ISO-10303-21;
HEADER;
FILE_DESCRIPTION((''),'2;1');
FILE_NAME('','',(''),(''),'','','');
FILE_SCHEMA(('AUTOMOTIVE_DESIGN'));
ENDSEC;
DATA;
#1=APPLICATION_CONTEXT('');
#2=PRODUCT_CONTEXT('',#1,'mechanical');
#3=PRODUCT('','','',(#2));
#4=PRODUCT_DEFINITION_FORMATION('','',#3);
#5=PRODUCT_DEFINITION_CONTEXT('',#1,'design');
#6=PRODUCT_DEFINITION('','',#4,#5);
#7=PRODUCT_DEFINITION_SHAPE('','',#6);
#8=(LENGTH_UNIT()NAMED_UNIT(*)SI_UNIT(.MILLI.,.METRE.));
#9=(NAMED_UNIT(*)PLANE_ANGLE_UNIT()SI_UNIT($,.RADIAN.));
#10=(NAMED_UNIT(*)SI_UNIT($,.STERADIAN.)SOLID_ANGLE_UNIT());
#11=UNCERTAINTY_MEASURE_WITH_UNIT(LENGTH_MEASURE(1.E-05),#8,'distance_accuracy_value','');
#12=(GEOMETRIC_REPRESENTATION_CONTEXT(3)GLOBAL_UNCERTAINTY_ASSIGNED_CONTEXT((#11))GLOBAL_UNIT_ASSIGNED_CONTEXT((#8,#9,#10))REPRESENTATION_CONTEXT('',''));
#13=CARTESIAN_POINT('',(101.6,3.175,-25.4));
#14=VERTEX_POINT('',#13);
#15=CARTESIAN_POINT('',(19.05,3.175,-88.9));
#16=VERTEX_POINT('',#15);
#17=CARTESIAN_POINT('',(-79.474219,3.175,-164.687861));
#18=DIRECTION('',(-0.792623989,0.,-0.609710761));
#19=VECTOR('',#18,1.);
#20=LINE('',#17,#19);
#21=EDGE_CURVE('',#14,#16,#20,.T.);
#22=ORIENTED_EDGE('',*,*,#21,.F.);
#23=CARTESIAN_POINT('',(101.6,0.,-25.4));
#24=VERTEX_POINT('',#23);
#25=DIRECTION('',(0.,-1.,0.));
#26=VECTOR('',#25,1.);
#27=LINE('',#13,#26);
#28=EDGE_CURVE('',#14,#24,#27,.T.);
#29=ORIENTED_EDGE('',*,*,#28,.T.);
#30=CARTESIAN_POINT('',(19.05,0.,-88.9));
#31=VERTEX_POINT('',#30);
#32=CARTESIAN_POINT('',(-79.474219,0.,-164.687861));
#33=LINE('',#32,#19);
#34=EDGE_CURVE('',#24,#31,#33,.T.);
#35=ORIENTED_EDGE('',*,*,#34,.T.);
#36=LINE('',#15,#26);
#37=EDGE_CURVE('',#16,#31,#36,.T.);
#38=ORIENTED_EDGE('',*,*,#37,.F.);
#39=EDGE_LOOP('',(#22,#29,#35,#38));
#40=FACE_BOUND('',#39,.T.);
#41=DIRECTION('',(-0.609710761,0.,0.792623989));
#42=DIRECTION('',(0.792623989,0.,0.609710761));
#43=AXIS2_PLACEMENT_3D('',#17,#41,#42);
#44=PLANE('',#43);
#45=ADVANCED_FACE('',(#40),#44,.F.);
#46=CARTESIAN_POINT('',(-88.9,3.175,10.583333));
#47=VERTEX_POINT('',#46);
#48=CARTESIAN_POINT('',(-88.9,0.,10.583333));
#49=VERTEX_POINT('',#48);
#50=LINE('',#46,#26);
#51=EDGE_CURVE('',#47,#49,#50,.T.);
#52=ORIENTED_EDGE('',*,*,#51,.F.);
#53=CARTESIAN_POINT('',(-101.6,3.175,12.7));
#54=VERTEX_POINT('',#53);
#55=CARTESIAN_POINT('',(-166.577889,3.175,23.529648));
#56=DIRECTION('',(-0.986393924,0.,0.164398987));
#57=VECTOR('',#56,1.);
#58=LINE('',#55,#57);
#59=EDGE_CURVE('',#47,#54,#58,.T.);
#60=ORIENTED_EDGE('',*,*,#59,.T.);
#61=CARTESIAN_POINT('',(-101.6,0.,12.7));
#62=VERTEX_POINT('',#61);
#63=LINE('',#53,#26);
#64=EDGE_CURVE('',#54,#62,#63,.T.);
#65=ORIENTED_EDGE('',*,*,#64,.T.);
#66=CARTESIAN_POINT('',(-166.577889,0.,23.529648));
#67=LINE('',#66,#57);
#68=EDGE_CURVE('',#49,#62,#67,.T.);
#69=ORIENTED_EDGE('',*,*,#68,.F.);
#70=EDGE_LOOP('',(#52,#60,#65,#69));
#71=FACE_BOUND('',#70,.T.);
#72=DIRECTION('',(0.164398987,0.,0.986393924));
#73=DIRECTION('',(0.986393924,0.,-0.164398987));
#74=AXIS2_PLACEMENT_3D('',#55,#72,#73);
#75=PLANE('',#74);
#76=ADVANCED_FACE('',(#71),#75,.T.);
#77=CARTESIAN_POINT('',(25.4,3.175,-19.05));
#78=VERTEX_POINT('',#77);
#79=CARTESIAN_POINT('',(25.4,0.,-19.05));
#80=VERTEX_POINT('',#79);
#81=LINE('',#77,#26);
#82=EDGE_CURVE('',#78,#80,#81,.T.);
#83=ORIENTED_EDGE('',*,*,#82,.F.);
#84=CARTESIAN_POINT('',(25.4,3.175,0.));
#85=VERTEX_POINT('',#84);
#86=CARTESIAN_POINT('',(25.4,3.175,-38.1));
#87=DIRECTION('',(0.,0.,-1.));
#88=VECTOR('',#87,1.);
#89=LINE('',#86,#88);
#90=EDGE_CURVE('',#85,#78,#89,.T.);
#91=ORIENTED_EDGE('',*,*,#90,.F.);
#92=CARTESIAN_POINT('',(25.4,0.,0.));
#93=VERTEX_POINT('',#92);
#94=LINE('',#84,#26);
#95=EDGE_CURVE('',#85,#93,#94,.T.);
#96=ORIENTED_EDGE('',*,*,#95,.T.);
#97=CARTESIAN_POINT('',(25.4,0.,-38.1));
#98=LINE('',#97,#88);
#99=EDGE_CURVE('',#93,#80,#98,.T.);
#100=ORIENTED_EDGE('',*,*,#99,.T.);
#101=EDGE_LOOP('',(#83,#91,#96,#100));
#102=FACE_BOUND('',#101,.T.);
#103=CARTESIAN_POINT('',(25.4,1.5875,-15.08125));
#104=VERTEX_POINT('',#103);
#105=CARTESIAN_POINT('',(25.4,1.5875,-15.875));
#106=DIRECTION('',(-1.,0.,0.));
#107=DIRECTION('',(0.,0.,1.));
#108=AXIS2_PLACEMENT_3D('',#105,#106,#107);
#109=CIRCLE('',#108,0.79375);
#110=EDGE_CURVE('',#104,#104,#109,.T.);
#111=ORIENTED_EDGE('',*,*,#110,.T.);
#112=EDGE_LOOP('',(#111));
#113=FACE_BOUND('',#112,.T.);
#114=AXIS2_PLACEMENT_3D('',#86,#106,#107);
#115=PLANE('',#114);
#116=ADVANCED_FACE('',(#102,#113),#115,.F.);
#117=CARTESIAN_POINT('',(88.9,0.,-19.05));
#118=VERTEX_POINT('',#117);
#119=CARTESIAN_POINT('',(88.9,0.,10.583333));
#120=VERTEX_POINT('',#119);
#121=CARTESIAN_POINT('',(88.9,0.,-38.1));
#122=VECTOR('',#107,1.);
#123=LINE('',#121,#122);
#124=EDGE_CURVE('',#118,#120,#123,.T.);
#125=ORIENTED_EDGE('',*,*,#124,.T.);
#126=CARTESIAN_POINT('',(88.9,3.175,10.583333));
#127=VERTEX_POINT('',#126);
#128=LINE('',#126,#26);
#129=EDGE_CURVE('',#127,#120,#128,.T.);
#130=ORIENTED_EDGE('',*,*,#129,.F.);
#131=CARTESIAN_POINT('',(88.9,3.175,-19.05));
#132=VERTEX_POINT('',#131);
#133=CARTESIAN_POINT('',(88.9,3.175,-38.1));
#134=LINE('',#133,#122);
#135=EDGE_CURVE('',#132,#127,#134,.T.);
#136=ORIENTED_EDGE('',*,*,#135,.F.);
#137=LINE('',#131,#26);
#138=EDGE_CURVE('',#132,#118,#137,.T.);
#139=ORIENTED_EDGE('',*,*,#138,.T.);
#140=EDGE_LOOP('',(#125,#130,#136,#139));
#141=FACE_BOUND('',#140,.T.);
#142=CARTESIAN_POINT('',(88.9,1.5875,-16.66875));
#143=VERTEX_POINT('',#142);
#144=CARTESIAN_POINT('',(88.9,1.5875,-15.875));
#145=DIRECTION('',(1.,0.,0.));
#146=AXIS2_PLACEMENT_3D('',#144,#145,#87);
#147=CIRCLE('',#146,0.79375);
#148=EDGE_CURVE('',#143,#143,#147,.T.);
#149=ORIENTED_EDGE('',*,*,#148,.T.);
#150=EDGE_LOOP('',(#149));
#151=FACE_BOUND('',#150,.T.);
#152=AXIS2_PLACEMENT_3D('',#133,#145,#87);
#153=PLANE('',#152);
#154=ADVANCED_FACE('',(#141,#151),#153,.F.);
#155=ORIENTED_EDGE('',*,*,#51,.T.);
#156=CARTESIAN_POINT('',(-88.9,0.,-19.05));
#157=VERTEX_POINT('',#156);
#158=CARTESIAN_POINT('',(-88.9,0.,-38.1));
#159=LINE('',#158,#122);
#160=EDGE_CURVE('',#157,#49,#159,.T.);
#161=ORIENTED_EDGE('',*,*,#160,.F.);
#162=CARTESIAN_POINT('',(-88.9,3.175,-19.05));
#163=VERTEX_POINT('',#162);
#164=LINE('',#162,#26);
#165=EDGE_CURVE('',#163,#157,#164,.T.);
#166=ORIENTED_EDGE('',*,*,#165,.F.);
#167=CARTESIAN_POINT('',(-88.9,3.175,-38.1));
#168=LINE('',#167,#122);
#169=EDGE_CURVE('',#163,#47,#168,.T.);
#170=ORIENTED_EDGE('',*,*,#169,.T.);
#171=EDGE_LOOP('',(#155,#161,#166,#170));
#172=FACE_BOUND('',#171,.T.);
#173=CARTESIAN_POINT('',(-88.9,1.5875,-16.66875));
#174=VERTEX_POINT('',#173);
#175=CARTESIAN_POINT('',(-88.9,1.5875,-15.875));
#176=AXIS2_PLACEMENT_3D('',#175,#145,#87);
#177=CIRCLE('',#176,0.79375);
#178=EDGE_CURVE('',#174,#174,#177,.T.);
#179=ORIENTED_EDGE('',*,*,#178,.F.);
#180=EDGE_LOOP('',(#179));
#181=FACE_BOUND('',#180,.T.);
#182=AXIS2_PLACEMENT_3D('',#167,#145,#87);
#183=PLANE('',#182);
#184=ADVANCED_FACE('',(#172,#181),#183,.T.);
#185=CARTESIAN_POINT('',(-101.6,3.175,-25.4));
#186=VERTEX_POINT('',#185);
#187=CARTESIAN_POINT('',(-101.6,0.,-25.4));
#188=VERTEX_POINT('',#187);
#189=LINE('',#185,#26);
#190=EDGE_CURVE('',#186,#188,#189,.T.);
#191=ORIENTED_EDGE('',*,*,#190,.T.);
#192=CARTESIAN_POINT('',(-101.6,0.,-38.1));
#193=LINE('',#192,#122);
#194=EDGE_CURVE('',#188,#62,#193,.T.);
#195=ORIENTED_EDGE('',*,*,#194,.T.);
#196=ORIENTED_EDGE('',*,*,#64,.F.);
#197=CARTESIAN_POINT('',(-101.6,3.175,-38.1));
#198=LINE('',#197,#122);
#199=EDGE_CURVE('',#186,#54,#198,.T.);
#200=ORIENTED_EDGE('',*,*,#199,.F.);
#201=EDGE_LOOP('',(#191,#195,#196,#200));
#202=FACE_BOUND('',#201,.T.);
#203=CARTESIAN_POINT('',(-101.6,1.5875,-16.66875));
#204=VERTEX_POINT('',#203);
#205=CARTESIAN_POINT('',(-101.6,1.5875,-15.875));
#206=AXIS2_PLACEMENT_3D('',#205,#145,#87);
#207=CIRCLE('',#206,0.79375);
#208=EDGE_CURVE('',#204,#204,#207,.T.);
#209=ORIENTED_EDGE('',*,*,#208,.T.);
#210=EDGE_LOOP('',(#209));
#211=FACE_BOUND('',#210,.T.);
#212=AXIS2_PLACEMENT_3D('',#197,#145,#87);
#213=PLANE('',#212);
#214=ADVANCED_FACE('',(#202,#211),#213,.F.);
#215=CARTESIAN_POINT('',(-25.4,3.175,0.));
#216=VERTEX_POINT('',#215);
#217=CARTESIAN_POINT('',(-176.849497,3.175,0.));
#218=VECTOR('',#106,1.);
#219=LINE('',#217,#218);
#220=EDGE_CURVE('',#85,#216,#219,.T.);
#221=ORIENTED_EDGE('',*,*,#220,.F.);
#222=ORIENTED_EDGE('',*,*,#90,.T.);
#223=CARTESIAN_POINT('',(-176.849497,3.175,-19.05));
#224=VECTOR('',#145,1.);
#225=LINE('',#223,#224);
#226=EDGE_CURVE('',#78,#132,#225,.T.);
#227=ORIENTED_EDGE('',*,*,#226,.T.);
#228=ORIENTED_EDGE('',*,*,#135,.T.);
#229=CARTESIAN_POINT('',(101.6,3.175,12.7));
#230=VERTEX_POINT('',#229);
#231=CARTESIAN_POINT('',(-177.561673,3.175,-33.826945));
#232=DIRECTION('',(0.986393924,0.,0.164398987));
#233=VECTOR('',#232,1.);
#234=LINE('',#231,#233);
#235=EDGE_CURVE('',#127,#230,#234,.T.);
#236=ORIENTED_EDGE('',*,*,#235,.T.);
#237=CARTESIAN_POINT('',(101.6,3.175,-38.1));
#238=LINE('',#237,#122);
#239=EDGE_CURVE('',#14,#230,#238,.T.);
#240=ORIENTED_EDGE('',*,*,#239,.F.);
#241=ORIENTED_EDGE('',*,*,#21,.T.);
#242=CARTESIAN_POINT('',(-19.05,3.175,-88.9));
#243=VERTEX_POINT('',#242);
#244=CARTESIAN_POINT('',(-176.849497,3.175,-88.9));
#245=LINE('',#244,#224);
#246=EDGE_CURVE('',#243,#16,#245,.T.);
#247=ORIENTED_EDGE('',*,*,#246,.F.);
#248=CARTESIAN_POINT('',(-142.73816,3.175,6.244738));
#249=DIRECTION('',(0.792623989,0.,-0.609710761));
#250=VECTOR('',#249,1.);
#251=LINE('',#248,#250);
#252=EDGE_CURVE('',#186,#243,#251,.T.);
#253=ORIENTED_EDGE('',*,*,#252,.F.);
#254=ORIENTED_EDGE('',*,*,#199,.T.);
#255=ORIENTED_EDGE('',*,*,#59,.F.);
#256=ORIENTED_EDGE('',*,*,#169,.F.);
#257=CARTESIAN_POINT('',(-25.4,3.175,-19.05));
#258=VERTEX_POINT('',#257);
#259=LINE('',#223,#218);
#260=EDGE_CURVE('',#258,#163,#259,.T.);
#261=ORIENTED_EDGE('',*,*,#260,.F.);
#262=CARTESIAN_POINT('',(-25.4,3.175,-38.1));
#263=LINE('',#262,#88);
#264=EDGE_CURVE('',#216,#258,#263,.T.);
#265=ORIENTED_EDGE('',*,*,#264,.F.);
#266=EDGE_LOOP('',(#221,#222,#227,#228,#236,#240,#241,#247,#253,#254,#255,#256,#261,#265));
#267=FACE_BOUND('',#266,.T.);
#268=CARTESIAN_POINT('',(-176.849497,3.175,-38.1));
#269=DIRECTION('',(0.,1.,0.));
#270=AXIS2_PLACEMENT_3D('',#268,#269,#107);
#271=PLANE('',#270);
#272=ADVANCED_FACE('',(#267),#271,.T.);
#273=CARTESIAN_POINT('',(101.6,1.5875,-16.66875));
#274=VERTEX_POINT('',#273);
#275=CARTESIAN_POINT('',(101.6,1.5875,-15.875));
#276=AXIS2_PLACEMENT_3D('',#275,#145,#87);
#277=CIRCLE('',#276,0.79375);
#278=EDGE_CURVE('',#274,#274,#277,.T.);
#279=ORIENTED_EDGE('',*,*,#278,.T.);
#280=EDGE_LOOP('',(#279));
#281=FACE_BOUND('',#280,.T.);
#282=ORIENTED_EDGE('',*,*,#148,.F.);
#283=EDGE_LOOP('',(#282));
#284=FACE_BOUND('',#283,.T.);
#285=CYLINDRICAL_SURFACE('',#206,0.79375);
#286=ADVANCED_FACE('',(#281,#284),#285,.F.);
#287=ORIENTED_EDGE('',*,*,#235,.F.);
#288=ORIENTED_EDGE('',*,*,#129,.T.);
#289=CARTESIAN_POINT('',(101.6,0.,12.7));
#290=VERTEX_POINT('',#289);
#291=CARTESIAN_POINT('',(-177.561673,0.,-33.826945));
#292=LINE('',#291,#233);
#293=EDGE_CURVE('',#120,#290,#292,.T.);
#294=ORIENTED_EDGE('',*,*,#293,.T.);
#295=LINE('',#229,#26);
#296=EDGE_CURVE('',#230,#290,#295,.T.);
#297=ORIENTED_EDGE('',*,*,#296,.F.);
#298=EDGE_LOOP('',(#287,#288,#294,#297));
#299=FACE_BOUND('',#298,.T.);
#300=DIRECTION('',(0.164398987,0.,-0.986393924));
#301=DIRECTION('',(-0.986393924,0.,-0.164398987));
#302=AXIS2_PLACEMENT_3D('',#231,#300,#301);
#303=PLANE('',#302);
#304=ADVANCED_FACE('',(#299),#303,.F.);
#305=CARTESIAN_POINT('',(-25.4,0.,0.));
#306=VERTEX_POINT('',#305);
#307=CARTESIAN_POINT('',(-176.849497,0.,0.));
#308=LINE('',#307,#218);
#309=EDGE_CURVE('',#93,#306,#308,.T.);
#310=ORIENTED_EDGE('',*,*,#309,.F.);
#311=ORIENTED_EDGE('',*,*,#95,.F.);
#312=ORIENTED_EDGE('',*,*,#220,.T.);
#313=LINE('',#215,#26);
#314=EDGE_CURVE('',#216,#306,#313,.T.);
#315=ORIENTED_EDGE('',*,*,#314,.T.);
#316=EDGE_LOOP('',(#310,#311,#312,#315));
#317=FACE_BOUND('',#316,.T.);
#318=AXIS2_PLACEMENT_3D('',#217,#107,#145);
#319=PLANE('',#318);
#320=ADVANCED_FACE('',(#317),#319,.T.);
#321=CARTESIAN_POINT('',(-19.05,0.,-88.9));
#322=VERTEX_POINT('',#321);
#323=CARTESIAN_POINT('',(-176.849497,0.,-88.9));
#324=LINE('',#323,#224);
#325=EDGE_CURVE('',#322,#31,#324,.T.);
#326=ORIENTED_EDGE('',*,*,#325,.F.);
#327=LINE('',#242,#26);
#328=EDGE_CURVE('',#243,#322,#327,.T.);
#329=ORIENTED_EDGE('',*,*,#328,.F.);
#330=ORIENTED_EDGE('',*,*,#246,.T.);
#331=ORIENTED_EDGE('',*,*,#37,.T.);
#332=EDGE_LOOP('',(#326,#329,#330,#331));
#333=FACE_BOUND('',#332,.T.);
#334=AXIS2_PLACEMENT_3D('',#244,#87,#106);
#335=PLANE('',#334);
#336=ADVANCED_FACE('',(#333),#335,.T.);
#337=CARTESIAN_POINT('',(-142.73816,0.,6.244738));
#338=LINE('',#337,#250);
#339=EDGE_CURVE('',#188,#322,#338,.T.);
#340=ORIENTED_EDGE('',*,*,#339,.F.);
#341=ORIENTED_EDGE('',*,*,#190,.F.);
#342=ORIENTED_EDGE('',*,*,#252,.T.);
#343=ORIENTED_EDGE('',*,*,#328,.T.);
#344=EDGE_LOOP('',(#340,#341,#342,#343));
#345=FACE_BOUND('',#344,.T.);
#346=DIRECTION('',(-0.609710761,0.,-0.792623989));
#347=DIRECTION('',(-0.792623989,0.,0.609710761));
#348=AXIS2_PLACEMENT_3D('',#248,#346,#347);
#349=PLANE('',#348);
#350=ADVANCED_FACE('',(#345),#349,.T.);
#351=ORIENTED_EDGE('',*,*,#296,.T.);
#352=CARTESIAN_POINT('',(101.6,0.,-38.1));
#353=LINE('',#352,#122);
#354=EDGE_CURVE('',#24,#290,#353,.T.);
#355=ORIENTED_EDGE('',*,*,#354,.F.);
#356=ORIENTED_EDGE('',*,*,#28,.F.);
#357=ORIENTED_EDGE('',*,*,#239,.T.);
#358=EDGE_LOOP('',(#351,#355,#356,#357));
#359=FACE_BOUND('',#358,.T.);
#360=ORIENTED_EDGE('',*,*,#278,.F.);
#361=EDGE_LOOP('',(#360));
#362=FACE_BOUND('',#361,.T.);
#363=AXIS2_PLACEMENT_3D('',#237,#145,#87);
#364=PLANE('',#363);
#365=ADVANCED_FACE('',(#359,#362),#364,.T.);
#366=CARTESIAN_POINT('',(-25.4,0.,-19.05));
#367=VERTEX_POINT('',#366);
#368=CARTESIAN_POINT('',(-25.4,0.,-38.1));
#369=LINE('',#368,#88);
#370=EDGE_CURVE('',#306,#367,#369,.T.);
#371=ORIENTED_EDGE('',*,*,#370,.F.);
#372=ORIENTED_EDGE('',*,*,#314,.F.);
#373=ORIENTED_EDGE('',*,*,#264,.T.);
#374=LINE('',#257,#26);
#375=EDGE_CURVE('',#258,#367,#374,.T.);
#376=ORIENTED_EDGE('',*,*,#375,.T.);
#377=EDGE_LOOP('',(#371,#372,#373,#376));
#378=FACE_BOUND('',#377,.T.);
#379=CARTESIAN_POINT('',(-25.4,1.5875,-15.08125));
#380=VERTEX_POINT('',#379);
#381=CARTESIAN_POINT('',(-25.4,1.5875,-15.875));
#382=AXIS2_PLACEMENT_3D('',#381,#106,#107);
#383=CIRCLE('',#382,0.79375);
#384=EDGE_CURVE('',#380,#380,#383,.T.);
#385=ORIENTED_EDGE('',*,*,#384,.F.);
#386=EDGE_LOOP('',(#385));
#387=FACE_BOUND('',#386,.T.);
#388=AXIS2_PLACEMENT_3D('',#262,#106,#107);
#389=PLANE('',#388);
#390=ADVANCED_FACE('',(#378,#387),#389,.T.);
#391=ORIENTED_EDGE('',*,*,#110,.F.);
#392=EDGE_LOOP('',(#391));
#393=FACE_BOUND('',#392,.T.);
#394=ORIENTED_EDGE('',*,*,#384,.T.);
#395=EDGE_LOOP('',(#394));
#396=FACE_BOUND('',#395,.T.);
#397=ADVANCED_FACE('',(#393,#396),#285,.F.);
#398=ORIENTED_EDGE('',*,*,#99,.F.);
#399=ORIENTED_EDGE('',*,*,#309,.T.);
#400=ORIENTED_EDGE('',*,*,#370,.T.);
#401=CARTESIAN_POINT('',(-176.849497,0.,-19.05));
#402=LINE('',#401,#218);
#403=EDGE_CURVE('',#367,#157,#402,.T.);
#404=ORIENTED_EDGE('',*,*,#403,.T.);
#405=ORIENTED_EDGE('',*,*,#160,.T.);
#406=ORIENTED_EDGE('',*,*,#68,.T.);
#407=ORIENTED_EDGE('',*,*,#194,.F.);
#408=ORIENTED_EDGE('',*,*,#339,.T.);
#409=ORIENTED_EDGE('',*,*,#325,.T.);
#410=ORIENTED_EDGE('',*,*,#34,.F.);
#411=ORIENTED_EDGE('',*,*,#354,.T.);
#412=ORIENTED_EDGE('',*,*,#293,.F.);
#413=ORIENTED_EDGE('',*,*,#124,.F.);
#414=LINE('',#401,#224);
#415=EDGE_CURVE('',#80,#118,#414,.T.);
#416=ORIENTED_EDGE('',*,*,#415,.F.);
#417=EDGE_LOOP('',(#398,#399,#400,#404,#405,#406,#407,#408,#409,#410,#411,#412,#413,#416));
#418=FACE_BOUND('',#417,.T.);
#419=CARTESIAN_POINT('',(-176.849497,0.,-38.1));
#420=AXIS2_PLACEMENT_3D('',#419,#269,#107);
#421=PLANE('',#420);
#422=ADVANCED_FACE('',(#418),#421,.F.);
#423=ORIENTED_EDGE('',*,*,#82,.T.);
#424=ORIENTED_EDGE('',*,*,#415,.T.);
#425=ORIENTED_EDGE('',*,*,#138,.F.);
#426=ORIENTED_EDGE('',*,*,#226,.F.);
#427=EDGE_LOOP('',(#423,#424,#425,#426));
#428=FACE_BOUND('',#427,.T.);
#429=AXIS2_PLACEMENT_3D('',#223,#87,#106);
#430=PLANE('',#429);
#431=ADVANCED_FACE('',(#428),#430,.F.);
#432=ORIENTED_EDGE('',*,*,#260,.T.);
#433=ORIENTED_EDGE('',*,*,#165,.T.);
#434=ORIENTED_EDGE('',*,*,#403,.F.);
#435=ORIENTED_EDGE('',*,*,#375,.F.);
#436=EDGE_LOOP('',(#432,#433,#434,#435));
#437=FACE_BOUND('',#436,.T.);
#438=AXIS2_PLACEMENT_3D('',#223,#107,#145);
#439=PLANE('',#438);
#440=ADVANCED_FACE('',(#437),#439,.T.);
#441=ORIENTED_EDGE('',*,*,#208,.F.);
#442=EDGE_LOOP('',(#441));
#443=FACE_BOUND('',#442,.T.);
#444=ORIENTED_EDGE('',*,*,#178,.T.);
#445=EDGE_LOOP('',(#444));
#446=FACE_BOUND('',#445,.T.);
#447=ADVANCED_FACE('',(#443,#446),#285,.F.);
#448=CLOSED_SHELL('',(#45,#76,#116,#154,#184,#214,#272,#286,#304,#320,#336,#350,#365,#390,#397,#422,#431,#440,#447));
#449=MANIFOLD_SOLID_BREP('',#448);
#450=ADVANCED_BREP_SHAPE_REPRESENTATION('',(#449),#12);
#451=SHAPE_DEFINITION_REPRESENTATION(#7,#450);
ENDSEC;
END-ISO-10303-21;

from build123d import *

# Parameters (mm, degrees)
EXTRUDE1_DEPTH     = 3.175
CUT_EXTRUDE1_START = -127
SKETCH3_R          = 0.79375
CUT_EXTRUDE1_DEPTH = 203.2


with BuildPart() as part:
    # Sketch1 → Extrude1 (new body)
    with BuildSketch(Plane(origin=(0, 0, 0), x_dir=(1, 0, 0), z_dir=(0, 1, 0))):
        Polygon((25.4, 0), (-25.4, 0), (-25.4, 19.05), (-88.9, 19.05), (-88.9, -10.583333333), (-101.6, -12.7), (-101.6, 25.4), (-19.05, 88.9), (19.05, 88.9), (101.6, 25.4), (101.6, -12.7), (88.9, -10.583333333), (88.9, 19.05), (25.4, 19.05), align=None)
    extrude(amount=EXTRUDE1_DEPTH)

    # Sketch3 → Cut-Extrude1 (cut)
    with BuildSketch(Plane(origin=(25.4, 0, 0), x_dir=(0, 0, -1), z_dir=(1, 0, 0)).offset(CUT_EXTRUDE1_START)):
        with Locations((15.875, 1.5875)):
            Circle(SKETCH3_R)
    extrude(amount=CUT_EXTRUDE1_DEPTH, mode=Mode.SUBTRACT)


solid = part.part
